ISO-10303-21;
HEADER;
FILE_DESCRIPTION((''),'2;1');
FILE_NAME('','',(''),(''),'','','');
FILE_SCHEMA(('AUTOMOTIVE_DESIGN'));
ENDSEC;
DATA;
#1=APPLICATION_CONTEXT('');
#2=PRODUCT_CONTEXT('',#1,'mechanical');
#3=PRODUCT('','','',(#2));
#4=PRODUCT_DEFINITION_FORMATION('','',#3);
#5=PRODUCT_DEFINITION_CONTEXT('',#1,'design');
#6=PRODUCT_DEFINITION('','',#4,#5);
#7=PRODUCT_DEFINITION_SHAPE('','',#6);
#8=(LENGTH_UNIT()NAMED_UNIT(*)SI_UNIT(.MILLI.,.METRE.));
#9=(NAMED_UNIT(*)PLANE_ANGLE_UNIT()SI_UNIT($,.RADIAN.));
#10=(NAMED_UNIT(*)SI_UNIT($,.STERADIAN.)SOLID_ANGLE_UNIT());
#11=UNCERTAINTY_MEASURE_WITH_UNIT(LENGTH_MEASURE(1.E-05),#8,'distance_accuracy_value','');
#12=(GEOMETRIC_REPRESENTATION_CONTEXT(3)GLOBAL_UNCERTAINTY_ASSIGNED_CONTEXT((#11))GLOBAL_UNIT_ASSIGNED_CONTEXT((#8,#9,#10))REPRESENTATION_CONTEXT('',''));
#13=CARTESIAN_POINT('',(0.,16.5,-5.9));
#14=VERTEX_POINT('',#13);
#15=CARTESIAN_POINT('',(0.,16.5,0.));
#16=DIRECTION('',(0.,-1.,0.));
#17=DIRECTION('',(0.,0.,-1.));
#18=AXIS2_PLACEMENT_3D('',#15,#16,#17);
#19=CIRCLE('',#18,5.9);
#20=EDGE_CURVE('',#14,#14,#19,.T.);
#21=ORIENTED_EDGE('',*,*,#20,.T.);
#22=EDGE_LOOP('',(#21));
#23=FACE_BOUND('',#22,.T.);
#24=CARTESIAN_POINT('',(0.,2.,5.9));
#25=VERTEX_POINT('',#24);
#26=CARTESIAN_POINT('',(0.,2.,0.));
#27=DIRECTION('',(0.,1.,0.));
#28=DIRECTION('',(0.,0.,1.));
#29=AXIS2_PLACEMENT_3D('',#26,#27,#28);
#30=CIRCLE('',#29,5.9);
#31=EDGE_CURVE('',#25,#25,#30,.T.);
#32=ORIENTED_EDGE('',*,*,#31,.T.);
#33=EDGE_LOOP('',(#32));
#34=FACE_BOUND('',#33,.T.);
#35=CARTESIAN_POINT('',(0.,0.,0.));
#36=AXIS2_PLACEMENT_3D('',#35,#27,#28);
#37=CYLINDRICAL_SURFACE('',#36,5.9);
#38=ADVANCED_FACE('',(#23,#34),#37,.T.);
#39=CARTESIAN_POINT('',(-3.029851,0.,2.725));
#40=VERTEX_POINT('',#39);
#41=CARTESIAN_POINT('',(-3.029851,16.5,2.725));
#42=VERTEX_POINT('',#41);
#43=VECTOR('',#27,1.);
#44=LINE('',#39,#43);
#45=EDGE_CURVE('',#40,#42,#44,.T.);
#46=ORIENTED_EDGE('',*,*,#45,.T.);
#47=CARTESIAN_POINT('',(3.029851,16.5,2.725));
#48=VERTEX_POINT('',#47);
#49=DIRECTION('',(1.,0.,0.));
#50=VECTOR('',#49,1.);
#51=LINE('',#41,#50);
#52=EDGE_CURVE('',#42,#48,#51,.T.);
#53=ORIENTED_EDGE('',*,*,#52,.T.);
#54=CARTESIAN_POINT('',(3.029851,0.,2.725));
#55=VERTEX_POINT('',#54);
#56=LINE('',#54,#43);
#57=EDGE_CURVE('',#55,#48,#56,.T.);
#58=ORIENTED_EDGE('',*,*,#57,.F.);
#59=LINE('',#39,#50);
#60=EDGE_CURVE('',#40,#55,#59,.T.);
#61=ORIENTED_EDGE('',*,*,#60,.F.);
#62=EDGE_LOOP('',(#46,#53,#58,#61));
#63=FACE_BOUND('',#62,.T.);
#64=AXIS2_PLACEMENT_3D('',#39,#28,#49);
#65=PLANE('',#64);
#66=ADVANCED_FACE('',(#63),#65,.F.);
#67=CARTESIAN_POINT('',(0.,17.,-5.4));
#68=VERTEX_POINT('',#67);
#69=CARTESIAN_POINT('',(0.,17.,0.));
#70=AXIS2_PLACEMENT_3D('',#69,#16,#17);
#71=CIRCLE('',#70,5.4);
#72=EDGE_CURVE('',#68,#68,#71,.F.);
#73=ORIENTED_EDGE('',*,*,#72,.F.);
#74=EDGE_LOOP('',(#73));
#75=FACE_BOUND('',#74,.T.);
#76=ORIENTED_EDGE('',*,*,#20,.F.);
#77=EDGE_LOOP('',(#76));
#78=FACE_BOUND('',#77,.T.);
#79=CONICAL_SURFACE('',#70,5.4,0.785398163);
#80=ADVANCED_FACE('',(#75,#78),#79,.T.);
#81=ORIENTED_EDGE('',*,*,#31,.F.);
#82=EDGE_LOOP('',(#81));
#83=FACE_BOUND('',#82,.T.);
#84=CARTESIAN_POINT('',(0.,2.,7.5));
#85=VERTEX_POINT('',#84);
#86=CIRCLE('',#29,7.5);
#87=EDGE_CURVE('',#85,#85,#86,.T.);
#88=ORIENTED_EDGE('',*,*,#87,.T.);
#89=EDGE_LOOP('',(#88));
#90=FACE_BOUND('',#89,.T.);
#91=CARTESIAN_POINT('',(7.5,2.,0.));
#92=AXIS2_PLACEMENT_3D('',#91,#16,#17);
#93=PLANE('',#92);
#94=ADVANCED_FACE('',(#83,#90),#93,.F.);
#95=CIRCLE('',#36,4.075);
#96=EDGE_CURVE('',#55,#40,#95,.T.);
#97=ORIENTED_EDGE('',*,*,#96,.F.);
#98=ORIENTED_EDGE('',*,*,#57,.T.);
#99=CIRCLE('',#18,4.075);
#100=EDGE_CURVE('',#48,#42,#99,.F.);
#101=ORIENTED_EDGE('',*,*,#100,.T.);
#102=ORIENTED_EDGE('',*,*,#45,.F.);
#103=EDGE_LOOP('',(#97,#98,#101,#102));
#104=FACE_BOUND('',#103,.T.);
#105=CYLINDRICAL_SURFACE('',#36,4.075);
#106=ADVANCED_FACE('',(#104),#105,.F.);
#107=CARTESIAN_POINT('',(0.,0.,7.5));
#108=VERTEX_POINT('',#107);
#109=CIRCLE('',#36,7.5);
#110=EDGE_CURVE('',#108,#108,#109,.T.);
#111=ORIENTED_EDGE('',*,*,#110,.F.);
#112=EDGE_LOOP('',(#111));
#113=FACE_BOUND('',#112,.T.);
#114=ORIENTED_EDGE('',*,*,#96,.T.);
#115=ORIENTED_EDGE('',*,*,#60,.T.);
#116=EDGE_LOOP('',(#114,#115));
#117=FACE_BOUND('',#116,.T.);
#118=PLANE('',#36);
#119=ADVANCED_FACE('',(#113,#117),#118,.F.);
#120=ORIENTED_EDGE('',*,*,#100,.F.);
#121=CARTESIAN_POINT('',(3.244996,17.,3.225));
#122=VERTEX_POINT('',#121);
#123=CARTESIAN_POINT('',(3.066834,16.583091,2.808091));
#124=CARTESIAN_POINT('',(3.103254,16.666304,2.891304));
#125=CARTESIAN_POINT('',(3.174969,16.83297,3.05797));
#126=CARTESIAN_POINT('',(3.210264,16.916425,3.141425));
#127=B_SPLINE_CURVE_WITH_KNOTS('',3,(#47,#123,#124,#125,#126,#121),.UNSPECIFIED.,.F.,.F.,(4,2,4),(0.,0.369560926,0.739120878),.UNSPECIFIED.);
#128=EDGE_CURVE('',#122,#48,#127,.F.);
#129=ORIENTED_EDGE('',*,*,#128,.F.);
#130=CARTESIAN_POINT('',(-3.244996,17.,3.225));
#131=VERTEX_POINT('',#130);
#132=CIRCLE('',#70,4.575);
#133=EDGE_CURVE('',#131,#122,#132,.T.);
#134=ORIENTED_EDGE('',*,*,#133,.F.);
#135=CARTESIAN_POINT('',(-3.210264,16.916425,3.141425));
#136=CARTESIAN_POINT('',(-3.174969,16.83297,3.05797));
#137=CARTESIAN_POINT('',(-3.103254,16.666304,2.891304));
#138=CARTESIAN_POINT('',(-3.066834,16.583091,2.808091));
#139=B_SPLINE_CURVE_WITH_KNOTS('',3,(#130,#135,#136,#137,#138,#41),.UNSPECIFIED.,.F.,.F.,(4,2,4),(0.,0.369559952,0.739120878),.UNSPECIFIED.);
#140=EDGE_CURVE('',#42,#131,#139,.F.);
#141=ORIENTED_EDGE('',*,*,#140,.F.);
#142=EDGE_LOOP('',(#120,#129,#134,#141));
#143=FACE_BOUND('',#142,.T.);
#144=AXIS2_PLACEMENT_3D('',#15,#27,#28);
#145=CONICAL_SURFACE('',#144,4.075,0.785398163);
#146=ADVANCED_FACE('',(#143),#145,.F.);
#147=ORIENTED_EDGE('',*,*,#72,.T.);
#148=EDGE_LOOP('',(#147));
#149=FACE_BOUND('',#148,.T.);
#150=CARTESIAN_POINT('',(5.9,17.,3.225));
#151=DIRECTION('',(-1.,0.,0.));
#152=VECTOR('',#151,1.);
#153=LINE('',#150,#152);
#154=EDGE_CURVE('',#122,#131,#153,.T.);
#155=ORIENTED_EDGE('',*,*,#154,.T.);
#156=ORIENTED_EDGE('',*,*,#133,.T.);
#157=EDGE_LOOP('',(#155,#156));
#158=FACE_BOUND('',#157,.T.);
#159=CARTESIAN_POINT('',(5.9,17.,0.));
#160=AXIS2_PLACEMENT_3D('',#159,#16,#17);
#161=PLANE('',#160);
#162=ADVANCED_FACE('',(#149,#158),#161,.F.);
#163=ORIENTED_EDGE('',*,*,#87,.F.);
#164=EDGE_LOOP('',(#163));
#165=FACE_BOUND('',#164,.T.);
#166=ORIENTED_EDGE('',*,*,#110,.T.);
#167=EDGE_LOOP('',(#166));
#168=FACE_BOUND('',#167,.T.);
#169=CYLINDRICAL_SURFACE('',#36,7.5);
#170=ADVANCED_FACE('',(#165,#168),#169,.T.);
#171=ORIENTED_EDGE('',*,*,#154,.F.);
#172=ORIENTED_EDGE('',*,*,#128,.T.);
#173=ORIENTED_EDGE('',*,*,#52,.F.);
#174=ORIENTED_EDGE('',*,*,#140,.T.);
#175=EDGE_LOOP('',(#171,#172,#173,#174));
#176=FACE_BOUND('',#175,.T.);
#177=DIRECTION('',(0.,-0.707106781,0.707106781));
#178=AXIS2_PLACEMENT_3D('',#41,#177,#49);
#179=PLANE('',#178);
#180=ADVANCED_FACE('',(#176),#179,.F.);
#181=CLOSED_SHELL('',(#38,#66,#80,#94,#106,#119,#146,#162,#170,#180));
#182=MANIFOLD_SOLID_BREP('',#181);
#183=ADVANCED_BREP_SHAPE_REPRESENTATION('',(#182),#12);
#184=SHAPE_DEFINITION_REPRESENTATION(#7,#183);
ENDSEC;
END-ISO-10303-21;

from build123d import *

# Parameters (mm, degrees)
SCHNITT_LINEAR_AUSTRAGEN1_DEPTH = 21.03746491
FASE1_SIZE                      = 0.5


with BuildPart() as part:
    # Skizze1 → Rotation1 (revolve)
    with BuildSketch(Plane.XY, mode=Mode.PRIVATE) as rotation1_sk:
        Polygon((0, 0), (7.5, 0), (7.5, 2), (5.9, 2), (5.9, 17), (0, 17), align=None)
    revolve(rotation1_sk.sketch.rotate(Axis((0, 0, 0), (0, -1, 0)), 90), axis=Axis((0, 0, 0), (0, -1, 0)))

    # Skizze2 → Schnitt-Linear austragen1 (cut, through all)
    with BuildSketch(Plane(origin=(0, 17, 0), x_dir=(1, 0, 0), z_dir=(0, 1, 0))):
        with BuildLine():
            Line((-3.029851482, -2.725), (3.029851482, -2.725))
            ThreePointArc((3.029851482, -2.725), (0, 4.075), (-3.029851482, -2.725))
        make_face()
    extrude(amount=-SCHNITT_LINEAR_AUSTRAGEN1_DEPTH, mode=Mode.SUBTRACT)

    # Fase1
    fase1_edges = [part.edges().sort_by_distance(p)[0] for p in [
        (0, 17, -4.075),
        (0, 17, 2.725),
        (0, 17, -5.9),
    ]]
    chamfer(fase1_edges, length=FASE1_SIZE)


solid = part.part
